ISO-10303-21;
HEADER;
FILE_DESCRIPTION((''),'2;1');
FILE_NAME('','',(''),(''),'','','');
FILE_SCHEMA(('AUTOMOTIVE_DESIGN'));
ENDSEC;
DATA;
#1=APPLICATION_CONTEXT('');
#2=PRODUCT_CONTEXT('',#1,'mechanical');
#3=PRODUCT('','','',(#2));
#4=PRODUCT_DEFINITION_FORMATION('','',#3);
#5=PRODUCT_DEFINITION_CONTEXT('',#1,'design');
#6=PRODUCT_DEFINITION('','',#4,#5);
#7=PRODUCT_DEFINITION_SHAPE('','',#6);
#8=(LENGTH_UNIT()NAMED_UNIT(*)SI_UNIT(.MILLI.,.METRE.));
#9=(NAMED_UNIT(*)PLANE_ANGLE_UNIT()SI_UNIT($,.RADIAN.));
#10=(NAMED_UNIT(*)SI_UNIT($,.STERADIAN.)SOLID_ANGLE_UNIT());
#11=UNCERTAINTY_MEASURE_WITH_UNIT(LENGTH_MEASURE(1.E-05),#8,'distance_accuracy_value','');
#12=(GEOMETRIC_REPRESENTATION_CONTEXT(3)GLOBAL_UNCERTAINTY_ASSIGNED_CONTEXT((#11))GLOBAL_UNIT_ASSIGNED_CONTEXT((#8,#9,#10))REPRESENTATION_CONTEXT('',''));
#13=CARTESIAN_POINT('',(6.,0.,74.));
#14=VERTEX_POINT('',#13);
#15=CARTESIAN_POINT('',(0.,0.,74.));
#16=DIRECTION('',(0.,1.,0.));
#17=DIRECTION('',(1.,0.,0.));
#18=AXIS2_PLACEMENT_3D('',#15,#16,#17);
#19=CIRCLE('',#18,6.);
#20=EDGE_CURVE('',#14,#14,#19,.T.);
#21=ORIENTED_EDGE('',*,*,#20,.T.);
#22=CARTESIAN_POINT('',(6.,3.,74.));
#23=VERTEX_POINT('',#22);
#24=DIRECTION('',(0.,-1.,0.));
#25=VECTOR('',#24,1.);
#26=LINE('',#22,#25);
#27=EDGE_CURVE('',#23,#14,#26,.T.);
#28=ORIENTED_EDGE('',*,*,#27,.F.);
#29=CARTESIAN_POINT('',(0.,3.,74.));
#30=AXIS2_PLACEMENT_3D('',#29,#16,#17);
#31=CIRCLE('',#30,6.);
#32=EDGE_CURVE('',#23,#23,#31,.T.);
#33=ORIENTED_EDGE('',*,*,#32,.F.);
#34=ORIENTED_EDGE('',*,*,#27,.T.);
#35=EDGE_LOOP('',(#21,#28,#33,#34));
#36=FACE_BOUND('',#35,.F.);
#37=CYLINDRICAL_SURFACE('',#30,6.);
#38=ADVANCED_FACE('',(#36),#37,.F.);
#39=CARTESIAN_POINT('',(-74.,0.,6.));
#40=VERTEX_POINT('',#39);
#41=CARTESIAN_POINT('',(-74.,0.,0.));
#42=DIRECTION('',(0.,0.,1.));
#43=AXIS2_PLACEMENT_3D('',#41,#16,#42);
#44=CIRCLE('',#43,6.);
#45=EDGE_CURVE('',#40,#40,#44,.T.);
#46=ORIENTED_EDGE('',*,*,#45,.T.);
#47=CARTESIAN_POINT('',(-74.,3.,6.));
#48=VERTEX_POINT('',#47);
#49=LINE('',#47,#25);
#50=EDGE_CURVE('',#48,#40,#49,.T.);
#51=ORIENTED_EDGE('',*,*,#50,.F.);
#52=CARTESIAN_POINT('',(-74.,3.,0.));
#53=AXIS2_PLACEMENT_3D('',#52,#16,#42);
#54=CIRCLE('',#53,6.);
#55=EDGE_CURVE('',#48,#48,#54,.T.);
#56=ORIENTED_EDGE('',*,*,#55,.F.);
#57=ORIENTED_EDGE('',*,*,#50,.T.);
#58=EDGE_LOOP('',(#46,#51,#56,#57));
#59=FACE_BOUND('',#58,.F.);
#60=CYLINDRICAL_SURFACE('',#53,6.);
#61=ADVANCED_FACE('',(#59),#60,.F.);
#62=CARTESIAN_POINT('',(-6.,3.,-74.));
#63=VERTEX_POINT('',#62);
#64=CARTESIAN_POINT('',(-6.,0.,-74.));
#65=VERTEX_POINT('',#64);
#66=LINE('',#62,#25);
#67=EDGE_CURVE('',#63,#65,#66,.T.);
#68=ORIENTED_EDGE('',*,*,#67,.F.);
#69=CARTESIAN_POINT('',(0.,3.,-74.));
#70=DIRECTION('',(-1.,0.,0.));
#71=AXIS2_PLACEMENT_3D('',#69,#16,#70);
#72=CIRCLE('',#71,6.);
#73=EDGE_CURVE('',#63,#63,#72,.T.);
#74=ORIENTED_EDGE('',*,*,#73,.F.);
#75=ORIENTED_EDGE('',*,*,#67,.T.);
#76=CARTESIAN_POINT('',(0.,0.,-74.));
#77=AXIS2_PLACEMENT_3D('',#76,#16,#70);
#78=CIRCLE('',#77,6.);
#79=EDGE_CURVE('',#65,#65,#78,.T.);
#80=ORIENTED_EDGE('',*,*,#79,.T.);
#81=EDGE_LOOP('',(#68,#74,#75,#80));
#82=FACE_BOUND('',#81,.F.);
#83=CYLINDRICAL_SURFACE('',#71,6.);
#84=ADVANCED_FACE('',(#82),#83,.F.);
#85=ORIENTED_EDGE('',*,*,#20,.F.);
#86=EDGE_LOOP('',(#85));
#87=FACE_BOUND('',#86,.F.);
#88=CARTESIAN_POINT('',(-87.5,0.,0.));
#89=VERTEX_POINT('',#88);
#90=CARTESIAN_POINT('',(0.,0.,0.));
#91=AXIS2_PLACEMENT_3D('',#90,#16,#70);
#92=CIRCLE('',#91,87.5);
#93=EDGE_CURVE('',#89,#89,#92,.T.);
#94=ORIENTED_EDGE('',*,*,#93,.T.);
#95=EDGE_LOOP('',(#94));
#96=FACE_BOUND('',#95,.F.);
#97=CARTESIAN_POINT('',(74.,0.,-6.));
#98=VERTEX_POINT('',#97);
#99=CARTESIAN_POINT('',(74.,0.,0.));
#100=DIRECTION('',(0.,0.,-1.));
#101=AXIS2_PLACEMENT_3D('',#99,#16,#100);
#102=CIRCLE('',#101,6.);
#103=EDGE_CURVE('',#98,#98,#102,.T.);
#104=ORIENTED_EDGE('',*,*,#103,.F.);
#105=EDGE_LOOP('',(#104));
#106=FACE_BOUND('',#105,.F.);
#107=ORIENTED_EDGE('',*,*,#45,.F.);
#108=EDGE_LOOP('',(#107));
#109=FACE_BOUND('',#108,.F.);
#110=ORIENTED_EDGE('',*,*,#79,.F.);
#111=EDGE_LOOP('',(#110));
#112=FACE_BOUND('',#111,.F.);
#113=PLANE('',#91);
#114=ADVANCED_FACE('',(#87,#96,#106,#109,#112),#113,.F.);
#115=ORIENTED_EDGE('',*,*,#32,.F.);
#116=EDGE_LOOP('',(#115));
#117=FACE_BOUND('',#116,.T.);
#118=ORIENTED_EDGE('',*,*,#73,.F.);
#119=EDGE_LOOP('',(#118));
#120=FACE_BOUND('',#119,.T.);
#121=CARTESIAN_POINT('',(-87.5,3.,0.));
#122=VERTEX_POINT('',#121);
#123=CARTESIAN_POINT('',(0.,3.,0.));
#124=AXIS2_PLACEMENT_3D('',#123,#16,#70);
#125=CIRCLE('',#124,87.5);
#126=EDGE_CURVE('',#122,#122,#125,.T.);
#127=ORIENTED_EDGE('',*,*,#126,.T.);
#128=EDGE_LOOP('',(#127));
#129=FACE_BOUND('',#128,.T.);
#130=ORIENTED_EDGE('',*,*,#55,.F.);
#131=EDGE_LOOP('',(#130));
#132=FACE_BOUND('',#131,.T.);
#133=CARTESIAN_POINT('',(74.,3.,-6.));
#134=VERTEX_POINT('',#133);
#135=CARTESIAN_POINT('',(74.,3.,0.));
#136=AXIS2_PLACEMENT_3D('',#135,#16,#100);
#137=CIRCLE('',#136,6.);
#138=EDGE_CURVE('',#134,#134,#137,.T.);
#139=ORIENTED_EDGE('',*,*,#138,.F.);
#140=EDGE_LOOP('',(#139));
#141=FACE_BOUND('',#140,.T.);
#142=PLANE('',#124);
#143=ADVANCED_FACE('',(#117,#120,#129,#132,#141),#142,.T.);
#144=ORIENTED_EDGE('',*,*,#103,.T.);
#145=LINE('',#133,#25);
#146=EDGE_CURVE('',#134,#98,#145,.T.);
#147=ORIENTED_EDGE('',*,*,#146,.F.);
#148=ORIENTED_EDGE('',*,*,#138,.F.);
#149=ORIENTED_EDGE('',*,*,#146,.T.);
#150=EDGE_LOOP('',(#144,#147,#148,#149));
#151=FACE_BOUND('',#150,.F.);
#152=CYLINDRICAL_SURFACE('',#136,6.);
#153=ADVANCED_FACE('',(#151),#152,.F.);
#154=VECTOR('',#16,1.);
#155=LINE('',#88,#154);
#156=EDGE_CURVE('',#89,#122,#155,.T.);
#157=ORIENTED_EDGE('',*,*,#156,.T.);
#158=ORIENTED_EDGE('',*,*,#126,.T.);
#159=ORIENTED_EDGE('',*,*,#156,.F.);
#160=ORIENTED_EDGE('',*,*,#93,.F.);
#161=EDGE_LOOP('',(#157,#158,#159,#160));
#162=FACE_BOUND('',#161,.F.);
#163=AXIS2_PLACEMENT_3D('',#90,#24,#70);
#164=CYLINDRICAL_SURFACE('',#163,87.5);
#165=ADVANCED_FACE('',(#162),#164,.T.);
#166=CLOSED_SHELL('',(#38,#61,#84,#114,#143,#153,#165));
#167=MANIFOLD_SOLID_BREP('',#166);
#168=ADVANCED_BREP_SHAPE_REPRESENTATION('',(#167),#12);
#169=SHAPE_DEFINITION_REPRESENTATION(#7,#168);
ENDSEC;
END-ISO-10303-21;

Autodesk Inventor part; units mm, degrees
ref_plane "YZ Plane" through (0, 0, 0) normal (1, 0, 0) x (0, 1, 0)
ref_plane "XZ Plane" through (0, 0, 0) normal (0, 1, 0) x (-1, 0, 0)
ref_plane "XY Plane" through (0, 0, 0) normal (0, 0, 1) x (1, 0, 0)
sketch "Sketch1" plane through (0, 0, 0) normal (0, 1, 0) x (-1, 0, 0)
  circle A0 centre (0, 0) radius 87.5
  dimension "d0" = 175
extrude "Plate1" add sketch "Sketch1" along normal blind 3
sketch "Sketch2" plane through (0, 3, 0) normal (0, 1, 0) x (1, 0, 0)
  line L0 (-40, -40) -> (40, -40) construction
  line L1 (40, -40) -> (40, 40) construction
  line L2 (40, 40) -> (-40, 40) construction
  line L3 (-40, 40) -> (-40, -40) construction
  line L4 (40, -40) -> (-40, 40) construction
  circle A0 centre (0, 0) radius 87.5 projected
  line L5 (0, 0) -> (0, -87.5) construction
  circle A1 centre (0, -74) radius 6
  dimension "d2" = 80
  dimension "d3" = 80
  dimension "d16" = 12
  dimension "d17" = 13.5
extrude "Extrusion1" cut sketch "Sketch2" against normal through all contours A1
pattern_circular "Circular Pattern1" count 4 over 360 about axis through (0, -10, 0) along (0, 1, 0) of "Extrusion1"
equation "\"d1\" = Thickness"
equation "\"BendReliefWidth\" = Thickness"
equation "\"BendReliefDepth\" = 0.5 * Thickness"
equation "\"CornerReliefSize\" = 4 * Thickness"
equation "\"MinimumRemnant\" = 2 * Thickness"
equation "\"TransitionRadius\" = BendRadius"
equation "\"JacobiRadiusSize\" = BendRadius"
equation "\"GapSize\" = Thickness"
equation "\"Thickness\" = 3"
equation "\"BendRadius\" = 5"
properties part number "MSC 126 flange base tube" material "Stainless Steel"
